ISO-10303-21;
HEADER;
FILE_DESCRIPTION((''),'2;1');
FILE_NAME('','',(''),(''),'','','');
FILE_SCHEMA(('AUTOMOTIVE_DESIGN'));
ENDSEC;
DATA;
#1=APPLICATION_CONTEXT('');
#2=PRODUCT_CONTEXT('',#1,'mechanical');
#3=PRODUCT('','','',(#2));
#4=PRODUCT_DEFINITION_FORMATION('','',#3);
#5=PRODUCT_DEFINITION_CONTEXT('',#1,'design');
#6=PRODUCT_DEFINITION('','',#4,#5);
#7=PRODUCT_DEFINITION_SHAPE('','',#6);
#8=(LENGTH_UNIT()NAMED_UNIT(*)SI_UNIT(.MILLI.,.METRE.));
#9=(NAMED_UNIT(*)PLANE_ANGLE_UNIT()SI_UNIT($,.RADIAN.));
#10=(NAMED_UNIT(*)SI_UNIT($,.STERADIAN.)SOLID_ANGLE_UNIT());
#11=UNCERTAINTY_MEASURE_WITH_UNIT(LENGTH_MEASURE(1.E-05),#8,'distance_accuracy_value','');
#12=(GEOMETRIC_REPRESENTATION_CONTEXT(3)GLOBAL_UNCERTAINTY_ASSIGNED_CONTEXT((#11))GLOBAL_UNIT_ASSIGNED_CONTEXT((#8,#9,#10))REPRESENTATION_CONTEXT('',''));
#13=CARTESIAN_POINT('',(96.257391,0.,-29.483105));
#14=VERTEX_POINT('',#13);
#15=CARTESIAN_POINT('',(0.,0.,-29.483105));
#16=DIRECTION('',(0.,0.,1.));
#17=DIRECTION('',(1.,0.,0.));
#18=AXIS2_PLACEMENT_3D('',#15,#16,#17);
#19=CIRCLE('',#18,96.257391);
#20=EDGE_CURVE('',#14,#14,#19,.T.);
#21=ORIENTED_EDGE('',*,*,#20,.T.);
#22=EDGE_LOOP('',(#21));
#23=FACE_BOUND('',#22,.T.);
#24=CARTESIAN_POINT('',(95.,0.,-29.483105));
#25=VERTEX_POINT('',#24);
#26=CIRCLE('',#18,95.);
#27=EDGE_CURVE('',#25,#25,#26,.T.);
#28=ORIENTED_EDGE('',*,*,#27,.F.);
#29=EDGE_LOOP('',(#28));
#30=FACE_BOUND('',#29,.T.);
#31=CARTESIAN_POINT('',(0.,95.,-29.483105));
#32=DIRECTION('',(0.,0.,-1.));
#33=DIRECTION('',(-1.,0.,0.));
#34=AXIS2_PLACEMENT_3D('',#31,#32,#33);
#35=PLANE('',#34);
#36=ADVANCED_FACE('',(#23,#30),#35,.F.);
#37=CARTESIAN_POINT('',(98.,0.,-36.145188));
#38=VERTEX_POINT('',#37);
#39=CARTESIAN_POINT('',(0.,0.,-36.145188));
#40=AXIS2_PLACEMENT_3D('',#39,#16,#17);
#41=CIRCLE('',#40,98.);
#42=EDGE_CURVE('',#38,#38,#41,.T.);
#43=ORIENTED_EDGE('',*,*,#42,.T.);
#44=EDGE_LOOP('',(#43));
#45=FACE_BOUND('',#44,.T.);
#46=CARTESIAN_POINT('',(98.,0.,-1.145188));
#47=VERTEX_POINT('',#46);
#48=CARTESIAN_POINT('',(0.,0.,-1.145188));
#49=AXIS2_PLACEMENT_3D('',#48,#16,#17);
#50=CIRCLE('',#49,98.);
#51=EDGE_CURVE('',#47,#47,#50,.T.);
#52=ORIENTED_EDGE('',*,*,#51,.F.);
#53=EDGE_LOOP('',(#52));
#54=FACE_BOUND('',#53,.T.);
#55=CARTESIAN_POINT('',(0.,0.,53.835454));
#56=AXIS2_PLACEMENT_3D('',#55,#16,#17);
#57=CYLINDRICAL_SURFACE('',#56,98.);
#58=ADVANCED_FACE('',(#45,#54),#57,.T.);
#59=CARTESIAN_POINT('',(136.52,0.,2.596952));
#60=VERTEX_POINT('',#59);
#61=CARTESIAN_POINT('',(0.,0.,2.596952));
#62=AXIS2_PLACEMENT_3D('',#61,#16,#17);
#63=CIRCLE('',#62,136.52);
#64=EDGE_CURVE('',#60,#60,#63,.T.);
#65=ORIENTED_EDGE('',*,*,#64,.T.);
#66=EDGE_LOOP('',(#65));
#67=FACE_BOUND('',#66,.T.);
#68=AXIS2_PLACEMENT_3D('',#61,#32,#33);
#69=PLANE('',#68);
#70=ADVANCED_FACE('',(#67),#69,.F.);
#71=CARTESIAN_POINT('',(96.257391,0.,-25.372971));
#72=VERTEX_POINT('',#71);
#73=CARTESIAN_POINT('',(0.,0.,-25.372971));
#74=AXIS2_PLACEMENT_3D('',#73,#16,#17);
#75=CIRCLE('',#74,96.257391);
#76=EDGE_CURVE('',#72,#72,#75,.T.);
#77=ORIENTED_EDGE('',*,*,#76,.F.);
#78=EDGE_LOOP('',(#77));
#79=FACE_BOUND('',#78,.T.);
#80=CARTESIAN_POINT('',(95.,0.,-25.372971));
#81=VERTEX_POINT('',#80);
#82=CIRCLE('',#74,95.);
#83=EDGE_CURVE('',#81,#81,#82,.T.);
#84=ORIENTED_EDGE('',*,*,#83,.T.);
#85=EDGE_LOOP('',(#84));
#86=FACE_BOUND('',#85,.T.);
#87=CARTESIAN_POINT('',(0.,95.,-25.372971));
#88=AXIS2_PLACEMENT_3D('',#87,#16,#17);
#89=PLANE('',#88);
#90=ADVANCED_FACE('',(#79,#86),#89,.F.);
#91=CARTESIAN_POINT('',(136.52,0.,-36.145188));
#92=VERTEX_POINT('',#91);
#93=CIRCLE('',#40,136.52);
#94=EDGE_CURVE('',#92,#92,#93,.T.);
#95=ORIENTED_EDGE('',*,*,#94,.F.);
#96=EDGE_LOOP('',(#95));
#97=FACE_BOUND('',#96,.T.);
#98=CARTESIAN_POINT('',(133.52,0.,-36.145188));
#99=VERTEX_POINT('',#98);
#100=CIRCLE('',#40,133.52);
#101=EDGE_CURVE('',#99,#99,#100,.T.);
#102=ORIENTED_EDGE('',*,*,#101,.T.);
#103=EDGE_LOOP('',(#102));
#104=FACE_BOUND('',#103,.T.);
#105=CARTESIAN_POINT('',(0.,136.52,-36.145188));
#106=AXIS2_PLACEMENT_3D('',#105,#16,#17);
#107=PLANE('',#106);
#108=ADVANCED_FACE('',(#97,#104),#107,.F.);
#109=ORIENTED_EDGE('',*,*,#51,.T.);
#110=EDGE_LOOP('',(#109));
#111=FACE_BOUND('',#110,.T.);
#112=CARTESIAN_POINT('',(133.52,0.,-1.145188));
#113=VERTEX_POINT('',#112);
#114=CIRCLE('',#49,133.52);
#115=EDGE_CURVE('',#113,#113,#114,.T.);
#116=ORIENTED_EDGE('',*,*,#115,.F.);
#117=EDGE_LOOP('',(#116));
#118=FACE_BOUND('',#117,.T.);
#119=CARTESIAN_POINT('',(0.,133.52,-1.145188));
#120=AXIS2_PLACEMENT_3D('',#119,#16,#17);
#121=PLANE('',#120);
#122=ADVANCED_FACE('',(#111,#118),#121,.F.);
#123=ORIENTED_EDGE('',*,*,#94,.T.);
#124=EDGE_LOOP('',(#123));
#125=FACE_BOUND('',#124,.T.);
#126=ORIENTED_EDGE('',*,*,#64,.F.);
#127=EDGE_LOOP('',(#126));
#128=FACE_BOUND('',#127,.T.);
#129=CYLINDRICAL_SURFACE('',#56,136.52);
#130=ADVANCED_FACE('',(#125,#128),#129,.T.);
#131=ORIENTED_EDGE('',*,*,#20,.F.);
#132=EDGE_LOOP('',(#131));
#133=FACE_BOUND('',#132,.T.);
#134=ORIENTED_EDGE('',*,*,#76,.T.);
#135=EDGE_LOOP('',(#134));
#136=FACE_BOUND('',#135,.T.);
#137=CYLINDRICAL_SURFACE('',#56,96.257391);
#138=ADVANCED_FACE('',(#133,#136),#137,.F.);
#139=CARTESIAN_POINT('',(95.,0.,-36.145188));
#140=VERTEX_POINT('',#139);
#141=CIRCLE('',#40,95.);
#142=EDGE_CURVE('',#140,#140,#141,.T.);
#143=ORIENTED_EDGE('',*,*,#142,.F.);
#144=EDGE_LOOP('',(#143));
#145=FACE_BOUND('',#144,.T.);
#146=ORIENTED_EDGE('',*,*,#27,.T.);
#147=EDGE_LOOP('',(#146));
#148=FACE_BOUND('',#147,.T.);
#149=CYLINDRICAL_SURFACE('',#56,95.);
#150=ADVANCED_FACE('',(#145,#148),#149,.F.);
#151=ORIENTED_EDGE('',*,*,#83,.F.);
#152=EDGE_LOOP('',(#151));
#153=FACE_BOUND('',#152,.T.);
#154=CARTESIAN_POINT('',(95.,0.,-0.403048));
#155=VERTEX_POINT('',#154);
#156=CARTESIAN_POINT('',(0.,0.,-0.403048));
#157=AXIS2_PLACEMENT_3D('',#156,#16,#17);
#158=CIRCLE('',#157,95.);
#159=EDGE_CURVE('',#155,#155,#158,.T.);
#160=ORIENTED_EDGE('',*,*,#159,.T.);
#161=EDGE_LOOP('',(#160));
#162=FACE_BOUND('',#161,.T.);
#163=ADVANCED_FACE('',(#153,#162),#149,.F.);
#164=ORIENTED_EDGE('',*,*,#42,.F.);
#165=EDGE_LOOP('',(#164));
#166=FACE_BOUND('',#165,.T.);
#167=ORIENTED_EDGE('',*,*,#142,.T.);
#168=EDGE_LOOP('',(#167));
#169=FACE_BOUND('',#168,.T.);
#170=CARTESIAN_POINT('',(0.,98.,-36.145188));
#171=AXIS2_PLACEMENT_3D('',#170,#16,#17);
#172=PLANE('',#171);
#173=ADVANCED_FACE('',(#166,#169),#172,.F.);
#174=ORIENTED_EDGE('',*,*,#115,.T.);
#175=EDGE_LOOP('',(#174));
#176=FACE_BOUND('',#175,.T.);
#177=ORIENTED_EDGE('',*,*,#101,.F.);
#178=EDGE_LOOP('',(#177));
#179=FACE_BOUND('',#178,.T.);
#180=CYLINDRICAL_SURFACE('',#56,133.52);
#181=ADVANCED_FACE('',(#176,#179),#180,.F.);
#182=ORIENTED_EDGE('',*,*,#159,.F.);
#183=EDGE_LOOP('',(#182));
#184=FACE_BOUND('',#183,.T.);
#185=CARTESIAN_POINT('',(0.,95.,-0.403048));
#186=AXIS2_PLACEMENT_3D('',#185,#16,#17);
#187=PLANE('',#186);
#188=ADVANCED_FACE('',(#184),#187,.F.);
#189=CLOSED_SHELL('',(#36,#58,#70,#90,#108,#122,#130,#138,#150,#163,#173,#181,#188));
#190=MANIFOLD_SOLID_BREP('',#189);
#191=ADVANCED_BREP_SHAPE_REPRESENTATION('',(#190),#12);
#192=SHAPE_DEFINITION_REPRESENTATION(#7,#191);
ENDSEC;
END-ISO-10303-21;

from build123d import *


with BuildPart() as part:
    # Sketch1 → Revolve1 (revolve)
    with BuildSketch(Plane(origin=(0, 0, 0), x_dir=(0, 0, -1), z_dir=(1, 0, 0))):
        Polygon((-2.596952363, 0), (-2.596952363, 136.52), (36.145188338, 136.52), (36.145188338, 133.52), (1.145188338, 133.52), (1.145188338, 98), (36.145188338, 98), (36.145188338, 95), (29.483104668, 95), (29.483104668, 96.257390859), (25.372970882, 96.257390859), (25.372970882, 95), (0.403047637, 95), (0.403047637, 0), align=None)
    revolve(axis=Axis((0, 0, 53.835453831), (0, 0, -1)))


solid = part.part
